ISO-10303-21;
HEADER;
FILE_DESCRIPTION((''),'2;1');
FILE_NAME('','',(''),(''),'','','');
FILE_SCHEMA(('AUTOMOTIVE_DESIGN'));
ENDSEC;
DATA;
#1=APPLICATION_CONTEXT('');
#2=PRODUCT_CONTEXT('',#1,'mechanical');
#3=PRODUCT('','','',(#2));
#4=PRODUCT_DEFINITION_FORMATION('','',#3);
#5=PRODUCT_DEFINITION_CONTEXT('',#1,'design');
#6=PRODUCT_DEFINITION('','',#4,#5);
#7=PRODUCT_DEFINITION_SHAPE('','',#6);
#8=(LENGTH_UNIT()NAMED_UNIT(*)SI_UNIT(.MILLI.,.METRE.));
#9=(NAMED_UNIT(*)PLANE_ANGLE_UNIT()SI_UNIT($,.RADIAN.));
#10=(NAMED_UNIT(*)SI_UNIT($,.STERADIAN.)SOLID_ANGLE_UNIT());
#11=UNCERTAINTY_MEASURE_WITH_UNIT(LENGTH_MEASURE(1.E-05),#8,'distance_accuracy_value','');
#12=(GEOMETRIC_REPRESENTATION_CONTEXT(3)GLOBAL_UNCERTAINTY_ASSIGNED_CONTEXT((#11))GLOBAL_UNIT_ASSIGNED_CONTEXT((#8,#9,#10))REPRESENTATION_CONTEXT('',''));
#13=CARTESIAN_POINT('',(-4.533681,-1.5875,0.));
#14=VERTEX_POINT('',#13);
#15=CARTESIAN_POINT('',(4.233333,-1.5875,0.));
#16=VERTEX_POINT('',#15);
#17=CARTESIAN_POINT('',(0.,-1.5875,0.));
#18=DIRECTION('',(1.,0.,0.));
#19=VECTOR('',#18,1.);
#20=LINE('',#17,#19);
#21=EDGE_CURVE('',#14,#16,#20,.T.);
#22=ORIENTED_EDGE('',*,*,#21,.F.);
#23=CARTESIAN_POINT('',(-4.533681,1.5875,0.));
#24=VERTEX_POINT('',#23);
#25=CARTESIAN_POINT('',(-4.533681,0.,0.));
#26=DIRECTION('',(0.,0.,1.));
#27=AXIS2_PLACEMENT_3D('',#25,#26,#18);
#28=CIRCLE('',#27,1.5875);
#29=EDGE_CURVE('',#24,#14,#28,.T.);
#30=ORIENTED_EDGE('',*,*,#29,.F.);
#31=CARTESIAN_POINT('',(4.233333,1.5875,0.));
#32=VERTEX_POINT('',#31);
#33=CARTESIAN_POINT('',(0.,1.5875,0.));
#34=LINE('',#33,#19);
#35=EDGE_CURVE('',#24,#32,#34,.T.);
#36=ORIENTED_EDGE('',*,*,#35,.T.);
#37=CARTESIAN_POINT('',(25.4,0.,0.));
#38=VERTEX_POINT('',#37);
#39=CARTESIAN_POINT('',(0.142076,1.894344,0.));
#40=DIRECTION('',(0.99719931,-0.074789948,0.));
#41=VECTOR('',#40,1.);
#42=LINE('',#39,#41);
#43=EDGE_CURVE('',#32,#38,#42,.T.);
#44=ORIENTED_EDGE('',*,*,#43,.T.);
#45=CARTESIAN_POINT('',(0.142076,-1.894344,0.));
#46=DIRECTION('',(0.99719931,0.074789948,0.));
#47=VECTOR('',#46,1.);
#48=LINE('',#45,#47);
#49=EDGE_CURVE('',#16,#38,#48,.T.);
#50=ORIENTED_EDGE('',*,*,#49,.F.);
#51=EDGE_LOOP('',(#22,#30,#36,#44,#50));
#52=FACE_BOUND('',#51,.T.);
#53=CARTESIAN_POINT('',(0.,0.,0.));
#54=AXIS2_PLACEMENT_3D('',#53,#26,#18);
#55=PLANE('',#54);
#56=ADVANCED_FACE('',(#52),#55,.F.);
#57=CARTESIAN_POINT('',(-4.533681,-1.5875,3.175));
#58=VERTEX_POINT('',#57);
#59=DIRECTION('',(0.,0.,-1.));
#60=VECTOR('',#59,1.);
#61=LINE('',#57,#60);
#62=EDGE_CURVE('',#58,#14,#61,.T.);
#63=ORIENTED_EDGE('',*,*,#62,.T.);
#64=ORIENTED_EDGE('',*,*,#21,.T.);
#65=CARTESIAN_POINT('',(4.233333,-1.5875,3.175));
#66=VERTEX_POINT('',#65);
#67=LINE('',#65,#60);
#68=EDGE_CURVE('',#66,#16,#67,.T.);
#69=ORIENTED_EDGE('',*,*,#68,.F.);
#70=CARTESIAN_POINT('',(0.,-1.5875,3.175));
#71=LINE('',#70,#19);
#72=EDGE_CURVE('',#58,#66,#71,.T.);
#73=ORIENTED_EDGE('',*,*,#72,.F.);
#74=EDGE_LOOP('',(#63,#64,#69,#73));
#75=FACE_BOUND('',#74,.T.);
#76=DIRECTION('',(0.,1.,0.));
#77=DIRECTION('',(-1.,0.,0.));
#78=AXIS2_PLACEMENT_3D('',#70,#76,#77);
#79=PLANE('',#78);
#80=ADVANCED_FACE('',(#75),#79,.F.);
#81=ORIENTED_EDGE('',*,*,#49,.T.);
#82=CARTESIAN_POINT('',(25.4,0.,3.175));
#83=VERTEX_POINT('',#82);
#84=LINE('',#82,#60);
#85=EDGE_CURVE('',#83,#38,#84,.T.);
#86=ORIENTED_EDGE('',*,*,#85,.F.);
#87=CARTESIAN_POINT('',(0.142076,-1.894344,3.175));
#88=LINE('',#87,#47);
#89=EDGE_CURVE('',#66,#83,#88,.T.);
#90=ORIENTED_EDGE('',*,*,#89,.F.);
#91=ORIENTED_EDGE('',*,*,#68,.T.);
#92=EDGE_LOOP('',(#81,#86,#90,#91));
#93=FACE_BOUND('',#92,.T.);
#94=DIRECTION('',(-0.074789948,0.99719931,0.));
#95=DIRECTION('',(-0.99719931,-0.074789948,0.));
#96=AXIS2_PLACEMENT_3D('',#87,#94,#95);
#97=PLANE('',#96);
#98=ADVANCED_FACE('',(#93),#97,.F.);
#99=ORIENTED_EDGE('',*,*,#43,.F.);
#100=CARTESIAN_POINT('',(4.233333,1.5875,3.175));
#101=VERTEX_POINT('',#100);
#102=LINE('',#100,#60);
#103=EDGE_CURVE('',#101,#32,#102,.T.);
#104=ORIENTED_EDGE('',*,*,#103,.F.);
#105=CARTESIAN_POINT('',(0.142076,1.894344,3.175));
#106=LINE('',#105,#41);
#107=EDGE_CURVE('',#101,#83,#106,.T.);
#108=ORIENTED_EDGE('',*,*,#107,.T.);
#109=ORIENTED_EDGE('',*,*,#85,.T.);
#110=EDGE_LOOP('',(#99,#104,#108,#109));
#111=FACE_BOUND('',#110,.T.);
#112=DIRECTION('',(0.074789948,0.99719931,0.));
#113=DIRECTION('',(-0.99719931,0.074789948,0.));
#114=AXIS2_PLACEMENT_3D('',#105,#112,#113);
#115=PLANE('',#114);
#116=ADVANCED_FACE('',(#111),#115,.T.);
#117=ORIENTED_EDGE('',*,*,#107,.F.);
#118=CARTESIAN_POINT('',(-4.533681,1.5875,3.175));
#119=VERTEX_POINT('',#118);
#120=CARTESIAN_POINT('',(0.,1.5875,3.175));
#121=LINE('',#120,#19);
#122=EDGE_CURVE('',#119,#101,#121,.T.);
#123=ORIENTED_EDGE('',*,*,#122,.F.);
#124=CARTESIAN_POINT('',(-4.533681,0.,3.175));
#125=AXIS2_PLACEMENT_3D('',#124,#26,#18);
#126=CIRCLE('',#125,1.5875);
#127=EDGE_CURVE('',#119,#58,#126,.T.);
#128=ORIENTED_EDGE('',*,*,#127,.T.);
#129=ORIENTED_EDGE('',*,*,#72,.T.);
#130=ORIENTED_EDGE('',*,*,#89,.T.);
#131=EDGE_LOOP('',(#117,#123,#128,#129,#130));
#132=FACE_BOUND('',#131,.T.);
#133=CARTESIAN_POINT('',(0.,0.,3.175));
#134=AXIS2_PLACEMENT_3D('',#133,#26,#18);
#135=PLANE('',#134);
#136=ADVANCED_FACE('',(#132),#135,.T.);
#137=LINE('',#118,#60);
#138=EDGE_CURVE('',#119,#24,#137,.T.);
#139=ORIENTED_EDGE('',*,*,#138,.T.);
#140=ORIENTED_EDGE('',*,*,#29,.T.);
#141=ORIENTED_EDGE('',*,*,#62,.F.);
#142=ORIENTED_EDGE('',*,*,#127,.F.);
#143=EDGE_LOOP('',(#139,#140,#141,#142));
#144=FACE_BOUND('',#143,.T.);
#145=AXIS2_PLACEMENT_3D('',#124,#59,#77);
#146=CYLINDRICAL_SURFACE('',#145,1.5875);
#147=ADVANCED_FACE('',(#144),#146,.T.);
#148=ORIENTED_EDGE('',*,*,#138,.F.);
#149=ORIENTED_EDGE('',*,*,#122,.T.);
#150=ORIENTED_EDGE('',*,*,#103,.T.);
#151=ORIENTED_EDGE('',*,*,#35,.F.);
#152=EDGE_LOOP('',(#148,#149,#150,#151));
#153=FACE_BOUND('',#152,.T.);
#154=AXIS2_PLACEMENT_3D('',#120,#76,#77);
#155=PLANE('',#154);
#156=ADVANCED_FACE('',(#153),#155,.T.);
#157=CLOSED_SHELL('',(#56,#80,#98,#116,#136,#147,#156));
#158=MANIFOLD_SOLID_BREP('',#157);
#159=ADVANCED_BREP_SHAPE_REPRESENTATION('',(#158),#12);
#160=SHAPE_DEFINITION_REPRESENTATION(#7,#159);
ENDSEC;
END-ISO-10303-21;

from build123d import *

# Parameters (mm, degrees)
BOSS_EXTRUDE1_DEPTH = 3.175


with BuildPart() as part:
    # Sketch1 → Boss-Extrude1 (new body)
    with BuildSketch(Plane.XY):
        with BuildLine():
            Line((-4.533681302, 1.5875), (4.233333333, 1.5875))
            Line((4.233333333, 1.5875), (25.4, 0))
            Line((25.4, 0), (4.233333333, -1.5875))
            Line((4.233333333, -1.5875), (-4.533681302, -1.5875))
            ThreePointArc((-4.533681302, -1.5875), (-6.121181302, 0), (-4.533681302, 1.5875))
        make_face()
    extrude(amount=BOSS_EXTRUDE1_DEPTH)


solid = part.part
